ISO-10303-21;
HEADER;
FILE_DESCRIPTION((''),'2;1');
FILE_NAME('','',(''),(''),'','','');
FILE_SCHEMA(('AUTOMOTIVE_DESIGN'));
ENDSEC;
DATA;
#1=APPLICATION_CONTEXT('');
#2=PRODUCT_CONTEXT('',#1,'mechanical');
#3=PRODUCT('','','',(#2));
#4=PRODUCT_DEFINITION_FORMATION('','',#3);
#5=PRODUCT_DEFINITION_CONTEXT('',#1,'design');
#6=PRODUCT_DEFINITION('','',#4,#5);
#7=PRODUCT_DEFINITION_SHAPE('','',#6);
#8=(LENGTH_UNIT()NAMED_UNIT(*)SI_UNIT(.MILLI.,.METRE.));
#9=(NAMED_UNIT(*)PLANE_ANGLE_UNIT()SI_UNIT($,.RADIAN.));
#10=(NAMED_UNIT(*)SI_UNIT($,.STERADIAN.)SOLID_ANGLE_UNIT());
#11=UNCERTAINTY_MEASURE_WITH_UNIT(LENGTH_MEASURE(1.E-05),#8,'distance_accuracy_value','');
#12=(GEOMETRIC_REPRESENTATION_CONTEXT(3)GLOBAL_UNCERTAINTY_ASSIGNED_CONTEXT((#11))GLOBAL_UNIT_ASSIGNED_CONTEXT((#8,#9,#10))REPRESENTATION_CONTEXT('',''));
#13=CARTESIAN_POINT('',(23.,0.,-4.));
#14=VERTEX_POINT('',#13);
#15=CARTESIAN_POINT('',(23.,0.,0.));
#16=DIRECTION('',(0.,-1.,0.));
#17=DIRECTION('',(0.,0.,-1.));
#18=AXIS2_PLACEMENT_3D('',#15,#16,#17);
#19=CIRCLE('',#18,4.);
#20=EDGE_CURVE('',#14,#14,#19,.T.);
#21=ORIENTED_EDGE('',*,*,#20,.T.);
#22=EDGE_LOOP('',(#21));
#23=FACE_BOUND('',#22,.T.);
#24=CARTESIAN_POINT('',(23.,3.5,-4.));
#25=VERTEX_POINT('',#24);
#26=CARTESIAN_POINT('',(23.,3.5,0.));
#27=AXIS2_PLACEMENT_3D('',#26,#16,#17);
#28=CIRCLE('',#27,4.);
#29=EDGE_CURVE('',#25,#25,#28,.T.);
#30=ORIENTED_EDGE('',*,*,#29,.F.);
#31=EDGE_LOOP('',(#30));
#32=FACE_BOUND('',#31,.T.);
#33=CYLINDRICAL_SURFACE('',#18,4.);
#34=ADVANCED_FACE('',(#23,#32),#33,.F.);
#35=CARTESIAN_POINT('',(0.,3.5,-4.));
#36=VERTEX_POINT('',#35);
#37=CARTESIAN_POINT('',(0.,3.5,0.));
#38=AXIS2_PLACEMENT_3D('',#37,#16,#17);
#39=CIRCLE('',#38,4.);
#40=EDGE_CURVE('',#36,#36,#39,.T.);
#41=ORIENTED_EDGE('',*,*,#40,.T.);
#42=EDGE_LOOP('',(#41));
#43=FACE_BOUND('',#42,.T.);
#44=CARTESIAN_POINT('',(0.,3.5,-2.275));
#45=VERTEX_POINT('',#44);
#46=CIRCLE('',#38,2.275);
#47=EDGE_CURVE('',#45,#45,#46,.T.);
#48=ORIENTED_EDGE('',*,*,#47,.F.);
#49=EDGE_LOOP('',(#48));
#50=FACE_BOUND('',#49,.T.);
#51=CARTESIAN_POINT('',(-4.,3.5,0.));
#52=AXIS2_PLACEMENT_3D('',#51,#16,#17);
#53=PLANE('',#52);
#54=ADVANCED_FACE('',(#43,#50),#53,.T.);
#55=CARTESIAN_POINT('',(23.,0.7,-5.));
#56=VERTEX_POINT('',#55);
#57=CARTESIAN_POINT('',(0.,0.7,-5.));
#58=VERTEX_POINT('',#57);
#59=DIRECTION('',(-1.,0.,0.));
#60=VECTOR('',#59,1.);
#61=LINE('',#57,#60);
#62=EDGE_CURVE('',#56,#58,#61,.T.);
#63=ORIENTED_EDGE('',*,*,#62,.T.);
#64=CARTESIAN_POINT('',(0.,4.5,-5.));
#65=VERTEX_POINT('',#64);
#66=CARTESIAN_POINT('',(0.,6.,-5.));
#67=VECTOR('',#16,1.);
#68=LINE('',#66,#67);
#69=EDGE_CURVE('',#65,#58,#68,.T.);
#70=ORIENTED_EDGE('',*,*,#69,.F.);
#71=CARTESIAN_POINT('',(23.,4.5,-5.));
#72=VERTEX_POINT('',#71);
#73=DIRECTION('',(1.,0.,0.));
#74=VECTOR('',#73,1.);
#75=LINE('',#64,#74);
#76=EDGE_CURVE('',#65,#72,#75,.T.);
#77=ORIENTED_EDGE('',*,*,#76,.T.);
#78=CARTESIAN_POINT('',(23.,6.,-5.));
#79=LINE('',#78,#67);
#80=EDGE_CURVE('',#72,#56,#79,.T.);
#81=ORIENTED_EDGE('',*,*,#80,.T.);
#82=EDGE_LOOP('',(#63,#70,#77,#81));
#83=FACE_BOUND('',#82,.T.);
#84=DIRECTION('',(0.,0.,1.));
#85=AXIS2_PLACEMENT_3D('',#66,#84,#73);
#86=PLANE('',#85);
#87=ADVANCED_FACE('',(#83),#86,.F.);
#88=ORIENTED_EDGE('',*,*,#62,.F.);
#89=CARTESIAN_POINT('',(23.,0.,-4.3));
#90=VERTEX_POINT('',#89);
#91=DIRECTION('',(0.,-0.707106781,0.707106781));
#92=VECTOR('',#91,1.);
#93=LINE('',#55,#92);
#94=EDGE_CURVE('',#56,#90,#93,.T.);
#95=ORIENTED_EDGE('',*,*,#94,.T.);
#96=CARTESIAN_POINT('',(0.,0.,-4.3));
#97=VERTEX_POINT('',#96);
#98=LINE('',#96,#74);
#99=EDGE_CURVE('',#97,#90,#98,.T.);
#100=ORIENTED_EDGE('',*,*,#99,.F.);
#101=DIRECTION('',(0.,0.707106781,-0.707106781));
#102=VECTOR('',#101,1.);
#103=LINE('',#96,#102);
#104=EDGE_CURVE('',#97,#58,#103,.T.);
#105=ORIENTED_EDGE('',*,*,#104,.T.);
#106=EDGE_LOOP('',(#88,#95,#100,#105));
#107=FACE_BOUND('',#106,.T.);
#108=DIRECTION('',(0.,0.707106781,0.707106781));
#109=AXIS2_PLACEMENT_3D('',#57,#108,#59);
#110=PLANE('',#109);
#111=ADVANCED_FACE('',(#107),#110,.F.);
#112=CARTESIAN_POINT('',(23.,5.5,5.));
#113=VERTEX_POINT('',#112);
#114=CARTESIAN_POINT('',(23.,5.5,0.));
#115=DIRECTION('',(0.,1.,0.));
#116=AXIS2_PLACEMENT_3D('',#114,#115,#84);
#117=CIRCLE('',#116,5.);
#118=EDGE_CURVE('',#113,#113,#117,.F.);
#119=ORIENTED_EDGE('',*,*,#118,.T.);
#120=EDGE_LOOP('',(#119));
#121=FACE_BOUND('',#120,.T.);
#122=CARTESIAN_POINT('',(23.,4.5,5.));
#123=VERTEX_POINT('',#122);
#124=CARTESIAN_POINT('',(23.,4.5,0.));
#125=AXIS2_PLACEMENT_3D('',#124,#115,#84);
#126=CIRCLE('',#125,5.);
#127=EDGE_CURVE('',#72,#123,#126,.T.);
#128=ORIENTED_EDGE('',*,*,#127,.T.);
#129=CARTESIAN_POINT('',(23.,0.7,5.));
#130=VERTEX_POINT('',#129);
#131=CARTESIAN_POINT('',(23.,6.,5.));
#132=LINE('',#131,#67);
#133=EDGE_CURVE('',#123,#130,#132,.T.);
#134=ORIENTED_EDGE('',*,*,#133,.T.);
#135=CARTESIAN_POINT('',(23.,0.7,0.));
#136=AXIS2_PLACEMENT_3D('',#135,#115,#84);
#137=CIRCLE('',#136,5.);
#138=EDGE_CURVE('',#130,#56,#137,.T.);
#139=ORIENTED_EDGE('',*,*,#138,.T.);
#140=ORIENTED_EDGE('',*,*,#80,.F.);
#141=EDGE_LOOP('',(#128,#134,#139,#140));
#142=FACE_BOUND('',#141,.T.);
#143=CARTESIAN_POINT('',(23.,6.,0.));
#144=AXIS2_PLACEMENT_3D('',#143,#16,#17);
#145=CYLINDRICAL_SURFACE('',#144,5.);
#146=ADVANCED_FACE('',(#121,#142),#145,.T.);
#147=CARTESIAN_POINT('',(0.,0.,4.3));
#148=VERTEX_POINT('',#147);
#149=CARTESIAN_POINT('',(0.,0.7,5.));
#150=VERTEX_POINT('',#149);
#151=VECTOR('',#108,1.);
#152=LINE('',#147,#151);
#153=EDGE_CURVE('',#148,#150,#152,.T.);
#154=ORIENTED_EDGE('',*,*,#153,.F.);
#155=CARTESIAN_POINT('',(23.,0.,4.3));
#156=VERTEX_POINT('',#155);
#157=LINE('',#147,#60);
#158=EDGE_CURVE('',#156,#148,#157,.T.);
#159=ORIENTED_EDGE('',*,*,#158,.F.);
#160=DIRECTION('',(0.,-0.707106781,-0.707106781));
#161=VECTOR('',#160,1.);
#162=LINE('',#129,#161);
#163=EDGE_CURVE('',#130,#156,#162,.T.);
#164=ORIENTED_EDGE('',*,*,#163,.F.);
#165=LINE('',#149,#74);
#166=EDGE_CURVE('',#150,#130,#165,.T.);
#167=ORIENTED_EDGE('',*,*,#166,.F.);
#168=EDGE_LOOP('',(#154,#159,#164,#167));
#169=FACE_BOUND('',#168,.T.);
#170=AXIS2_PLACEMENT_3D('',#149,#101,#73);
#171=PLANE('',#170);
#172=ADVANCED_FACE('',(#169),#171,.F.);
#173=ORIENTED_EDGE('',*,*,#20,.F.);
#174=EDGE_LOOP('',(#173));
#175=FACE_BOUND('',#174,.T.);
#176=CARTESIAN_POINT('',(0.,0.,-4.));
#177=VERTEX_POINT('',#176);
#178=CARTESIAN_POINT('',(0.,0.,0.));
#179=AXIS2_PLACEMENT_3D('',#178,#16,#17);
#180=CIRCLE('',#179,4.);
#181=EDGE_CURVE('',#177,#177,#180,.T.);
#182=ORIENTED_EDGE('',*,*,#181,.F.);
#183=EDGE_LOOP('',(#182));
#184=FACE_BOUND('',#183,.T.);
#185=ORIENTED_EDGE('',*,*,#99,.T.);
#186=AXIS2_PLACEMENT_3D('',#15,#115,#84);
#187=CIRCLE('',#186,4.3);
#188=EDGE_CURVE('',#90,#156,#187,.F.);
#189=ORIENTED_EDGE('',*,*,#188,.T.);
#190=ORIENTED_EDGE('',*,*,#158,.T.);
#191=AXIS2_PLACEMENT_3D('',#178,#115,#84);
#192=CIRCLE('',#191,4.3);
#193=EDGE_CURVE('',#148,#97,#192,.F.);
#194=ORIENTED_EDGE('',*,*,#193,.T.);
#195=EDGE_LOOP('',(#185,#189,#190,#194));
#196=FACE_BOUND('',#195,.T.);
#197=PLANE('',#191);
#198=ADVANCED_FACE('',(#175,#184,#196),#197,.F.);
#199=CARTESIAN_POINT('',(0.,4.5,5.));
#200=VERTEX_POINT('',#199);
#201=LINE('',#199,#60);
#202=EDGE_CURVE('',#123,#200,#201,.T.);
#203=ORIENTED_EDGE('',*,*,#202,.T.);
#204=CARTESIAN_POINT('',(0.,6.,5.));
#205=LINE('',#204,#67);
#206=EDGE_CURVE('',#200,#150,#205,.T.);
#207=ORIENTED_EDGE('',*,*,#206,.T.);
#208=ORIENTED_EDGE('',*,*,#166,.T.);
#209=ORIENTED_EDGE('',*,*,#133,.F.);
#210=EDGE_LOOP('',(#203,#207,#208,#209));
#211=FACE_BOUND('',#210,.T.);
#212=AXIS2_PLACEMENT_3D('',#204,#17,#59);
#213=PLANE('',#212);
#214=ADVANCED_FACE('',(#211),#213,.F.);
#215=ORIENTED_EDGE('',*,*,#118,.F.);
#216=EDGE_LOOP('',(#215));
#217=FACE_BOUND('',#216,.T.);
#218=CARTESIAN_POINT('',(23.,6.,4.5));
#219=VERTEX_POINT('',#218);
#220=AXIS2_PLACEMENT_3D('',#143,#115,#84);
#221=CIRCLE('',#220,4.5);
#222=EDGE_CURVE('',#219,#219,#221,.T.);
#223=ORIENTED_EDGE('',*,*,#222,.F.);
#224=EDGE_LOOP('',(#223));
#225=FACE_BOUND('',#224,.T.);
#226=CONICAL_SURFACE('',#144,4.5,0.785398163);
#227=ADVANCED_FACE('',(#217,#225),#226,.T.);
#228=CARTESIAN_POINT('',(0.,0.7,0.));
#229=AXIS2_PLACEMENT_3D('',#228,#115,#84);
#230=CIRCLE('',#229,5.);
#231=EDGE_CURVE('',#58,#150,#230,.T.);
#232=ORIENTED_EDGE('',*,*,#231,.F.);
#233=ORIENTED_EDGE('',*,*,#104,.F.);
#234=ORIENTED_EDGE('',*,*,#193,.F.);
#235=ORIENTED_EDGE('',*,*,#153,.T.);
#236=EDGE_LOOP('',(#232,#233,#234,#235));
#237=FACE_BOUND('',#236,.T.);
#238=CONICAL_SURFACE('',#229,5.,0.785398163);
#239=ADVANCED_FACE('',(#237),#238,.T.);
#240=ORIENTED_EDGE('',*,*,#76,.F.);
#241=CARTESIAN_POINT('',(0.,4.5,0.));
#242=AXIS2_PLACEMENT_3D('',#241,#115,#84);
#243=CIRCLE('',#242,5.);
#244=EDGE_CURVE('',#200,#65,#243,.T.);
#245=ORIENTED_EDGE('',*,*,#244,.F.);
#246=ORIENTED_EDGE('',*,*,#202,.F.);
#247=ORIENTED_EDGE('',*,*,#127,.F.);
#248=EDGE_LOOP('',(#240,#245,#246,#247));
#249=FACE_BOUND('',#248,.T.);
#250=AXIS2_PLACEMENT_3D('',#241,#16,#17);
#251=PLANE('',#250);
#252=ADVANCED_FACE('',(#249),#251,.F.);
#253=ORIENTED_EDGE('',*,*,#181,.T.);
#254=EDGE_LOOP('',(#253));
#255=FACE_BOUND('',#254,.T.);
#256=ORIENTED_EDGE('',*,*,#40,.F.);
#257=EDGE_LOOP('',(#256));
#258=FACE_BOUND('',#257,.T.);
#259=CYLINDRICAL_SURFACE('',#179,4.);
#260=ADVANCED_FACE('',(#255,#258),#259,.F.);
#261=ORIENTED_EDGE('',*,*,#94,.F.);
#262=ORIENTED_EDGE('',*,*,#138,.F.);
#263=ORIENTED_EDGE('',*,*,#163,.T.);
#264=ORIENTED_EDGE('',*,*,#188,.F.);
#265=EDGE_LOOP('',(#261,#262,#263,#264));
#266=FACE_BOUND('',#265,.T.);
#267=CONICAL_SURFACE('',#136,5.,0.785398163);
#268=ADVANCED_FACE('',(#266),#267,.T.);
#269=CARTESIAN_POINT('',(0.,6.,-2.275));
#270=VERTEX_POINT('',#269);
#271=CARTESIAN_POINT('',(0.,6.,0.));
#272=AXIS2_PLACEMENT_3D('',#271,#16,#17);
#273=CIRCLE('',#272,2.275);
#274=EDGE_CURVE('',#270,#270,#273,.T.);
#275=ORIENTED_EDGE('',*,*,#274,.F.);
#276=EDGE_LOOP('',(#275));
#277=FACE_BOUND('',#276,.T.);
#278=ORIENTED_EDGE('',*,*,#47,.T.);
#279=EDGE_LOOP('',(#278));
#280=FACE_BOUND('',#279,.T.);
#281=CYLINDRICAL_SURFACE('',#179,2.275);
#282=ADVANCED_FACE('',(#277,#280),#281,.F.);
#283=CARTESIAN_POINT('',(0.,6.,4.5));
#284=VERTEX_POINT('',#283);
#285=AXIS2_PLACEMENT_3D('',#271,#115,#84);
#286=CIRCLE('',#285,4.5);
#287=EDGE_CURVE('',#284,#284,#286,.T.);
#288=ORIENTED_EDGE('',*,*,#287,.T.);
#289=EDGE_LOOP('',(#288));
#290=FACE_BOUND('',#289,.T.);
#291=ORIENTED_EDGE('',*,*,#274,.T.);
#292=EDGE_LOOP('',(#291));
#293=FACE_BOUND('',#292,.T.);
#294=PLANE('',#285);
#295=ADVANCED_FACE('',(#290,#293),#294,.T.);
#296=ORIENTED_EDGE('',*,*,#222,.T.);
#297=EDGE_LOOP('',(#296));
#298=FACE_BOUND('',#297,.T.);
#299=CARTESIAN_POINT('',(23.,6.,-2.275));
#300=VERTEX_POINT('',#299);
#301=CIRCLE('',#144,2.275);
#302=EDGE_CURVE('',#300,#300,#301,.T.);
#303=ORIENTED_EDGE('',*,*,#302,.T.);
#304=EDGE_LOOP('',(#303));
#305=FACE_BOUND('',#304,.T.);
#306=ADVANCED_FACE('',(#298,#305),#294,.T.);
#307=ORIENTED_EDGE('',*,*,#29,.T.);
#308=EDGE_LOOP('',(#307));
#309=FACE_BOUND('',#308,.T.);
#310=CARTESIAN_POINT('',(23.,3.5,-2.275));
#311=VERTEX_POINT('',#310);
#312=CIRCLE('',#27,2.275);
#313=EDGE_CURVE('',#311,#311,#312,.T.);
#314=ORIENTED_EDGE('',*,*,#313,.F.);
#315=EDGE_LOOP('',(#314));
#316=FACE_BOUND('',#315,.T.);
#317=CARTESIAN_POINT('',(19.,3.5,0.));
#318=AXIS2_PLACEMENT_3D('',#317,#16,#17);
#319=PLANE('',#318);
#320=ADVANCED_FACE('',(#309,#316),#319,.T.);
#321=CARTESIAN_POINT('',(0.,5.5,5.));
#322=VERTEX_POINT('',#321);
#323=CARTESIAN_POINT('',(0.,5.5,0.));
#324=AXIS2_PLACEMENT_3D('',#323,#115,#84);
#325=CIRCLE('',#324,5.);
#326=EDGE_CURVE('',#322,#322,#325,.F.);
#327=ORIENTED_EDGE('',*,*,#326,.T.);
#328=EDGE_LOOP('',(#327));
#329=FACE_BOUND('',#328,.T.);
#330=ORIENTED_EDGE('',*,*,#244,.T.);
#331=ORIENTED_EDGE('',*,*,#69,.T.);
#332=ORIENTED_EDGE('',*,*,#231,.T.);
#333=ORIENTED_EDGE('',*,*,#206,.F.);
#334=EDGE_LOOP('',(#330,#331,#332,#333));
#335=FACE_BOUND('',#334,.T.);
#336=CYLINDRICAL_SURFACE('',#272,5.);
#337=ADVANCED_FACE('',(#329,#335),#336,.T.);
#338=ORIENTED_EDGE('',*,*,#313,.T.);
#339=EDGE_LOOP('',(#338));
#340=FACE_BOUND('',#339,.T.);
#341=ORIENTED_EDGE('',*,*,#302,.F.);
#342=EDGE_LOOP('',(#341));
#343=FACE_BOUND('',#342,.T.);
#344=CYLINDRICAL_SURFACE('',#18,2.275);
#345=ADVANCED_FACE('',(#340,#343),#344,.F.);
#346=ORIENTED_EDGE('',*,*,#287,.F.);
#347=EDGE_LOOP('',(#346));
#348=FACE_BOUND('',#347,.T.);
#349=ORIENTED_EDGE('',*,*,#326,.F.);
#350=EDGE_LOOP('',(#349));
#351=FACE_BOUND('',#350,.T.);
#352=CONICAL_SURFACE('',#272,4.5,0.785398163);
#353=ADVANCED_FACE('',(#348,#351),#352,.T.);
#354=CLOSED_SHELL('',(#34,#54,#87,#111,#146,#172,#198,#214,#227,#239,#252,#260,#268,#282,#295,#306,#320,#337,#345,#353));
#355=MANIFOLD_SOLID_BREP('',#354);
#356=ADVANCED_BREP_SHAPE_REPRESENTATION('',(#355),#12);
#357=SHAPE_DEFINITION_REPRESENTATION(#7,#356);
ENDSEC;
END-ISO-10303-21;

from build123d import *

# Parameters (mm, degrees)
EXTRUDE_1_DEPTH     = 6
CUT_EXTRUDE_START   = -1.5
SKETCH_4_W          = 74.791186833
SKETCH_4_H          = 47.147225829
SKETCH_4_R          = 5
CUT_EXTRUDE_1_DEPTH = 1.5
CHAMFER_1_SIZE      = 0.5
CHAMFER_2_SIZE      = 0.7


with BuildPart() as part:
    # 草图1 → 凸台-拉伸1 (new body)
    with BuildSketch(Plane(origin=(0, 0, 0), x_dir=(1, 0, 0), z_dir=(0, 1, 0))):
        with BuildLine():
            Line((0, 5), (23, 5))
            ThreePointArc((23, 5), (28, 0), (23, -5))
            Line((23, -5), (0, -5))
            ThreePointArc((0, -5), (-5, 0), (0, 5))
        make_face()
    extrude(amount=EXTRUDE_1_DEPTH)

    # 草图2 → 切除-旋转1 (revolve, cut)
    with BuildSketch(Plane.XY, mode=Mode.PRIVATE) as cut_revolve_1_sk:
        Polygon((-4, 0), (-4, 3.5), (-2.275, 3.5), (-2.275, 6), (0, 6), (0, 0), align=None)
    revolve(cut_revolve_1_sk.sketch.rotate(Axis((0, 0, 0), (0, 1, 0)), 270), axis=Axis((0, 0, 0), (0, 1, 0)), mode=Mode.SUBTRACT)

    # 草图3 → 切除-旋转2 (revolve, cut)
    with BuildSketch(Plane.XY, mode=Mode.PRIVATE) as cut_revolve_2_sk:
        Polygon((23, 0), (19, 0), (19, 3.5), (20.725, 3.5), (20.725, 6), (23, 6), align=None)
    revolve(cut_revolve_2_sk.sketch.rotate(Axis((23, 0, 0), (0, 1, 0)), 270), axis=Axis((23, 0, 0), (0, 1, 0)), mode=Mode.SUBTRACT)

    # 草图4 → 切除-拉伸1 (cut)
    with BuildSketch(Plane(origin=(0, 6, 0), x_dir=(1, 0, 0), z_dir=(0, 1, 0)).offset(CUT_EXTRUDE_START)):
        with Locations((14.679246855, 1.415799858)):
            Rectangle(SKETCH_4_W, SKETCH_4_H)
        with Locations(Location((23, 0, 0), (0, 0, 270))):
            Circle(SKETCH_4_R, mode=Mode.SUBTRACT)
        with Locations(Location((0, 0, 0), (0, 0, 270))):
            Circle(SKETCH_4_R, mode=Mode.SUBTRACT)
    extrude(amount=CUT_EXTRUDE_1_DEPTH, mode=Mode.SUBTRACT)

    # 倒角1
    chamfer_1_edges = [part.edges().sort_by_distance(p)[0] for p in [
        (23, 6, 5),
        (0, 6, -5),
    ]]
    chamfer(chamfer_1_edges, length=CHAMFER_1_SIZE)

    # 倒角2
    chamfer_2_edges = [part.edges().sort_by_distance(p)[0] for p in [
        (11.5, 0, -5),
        (28, 0, 0),
        (11.5, 0, 5),
        (-5, 0, 0),
    ]]
    chamfer(chamfer_2_edges, length=CHAMFER_2_SIZE)


solid = part.part
